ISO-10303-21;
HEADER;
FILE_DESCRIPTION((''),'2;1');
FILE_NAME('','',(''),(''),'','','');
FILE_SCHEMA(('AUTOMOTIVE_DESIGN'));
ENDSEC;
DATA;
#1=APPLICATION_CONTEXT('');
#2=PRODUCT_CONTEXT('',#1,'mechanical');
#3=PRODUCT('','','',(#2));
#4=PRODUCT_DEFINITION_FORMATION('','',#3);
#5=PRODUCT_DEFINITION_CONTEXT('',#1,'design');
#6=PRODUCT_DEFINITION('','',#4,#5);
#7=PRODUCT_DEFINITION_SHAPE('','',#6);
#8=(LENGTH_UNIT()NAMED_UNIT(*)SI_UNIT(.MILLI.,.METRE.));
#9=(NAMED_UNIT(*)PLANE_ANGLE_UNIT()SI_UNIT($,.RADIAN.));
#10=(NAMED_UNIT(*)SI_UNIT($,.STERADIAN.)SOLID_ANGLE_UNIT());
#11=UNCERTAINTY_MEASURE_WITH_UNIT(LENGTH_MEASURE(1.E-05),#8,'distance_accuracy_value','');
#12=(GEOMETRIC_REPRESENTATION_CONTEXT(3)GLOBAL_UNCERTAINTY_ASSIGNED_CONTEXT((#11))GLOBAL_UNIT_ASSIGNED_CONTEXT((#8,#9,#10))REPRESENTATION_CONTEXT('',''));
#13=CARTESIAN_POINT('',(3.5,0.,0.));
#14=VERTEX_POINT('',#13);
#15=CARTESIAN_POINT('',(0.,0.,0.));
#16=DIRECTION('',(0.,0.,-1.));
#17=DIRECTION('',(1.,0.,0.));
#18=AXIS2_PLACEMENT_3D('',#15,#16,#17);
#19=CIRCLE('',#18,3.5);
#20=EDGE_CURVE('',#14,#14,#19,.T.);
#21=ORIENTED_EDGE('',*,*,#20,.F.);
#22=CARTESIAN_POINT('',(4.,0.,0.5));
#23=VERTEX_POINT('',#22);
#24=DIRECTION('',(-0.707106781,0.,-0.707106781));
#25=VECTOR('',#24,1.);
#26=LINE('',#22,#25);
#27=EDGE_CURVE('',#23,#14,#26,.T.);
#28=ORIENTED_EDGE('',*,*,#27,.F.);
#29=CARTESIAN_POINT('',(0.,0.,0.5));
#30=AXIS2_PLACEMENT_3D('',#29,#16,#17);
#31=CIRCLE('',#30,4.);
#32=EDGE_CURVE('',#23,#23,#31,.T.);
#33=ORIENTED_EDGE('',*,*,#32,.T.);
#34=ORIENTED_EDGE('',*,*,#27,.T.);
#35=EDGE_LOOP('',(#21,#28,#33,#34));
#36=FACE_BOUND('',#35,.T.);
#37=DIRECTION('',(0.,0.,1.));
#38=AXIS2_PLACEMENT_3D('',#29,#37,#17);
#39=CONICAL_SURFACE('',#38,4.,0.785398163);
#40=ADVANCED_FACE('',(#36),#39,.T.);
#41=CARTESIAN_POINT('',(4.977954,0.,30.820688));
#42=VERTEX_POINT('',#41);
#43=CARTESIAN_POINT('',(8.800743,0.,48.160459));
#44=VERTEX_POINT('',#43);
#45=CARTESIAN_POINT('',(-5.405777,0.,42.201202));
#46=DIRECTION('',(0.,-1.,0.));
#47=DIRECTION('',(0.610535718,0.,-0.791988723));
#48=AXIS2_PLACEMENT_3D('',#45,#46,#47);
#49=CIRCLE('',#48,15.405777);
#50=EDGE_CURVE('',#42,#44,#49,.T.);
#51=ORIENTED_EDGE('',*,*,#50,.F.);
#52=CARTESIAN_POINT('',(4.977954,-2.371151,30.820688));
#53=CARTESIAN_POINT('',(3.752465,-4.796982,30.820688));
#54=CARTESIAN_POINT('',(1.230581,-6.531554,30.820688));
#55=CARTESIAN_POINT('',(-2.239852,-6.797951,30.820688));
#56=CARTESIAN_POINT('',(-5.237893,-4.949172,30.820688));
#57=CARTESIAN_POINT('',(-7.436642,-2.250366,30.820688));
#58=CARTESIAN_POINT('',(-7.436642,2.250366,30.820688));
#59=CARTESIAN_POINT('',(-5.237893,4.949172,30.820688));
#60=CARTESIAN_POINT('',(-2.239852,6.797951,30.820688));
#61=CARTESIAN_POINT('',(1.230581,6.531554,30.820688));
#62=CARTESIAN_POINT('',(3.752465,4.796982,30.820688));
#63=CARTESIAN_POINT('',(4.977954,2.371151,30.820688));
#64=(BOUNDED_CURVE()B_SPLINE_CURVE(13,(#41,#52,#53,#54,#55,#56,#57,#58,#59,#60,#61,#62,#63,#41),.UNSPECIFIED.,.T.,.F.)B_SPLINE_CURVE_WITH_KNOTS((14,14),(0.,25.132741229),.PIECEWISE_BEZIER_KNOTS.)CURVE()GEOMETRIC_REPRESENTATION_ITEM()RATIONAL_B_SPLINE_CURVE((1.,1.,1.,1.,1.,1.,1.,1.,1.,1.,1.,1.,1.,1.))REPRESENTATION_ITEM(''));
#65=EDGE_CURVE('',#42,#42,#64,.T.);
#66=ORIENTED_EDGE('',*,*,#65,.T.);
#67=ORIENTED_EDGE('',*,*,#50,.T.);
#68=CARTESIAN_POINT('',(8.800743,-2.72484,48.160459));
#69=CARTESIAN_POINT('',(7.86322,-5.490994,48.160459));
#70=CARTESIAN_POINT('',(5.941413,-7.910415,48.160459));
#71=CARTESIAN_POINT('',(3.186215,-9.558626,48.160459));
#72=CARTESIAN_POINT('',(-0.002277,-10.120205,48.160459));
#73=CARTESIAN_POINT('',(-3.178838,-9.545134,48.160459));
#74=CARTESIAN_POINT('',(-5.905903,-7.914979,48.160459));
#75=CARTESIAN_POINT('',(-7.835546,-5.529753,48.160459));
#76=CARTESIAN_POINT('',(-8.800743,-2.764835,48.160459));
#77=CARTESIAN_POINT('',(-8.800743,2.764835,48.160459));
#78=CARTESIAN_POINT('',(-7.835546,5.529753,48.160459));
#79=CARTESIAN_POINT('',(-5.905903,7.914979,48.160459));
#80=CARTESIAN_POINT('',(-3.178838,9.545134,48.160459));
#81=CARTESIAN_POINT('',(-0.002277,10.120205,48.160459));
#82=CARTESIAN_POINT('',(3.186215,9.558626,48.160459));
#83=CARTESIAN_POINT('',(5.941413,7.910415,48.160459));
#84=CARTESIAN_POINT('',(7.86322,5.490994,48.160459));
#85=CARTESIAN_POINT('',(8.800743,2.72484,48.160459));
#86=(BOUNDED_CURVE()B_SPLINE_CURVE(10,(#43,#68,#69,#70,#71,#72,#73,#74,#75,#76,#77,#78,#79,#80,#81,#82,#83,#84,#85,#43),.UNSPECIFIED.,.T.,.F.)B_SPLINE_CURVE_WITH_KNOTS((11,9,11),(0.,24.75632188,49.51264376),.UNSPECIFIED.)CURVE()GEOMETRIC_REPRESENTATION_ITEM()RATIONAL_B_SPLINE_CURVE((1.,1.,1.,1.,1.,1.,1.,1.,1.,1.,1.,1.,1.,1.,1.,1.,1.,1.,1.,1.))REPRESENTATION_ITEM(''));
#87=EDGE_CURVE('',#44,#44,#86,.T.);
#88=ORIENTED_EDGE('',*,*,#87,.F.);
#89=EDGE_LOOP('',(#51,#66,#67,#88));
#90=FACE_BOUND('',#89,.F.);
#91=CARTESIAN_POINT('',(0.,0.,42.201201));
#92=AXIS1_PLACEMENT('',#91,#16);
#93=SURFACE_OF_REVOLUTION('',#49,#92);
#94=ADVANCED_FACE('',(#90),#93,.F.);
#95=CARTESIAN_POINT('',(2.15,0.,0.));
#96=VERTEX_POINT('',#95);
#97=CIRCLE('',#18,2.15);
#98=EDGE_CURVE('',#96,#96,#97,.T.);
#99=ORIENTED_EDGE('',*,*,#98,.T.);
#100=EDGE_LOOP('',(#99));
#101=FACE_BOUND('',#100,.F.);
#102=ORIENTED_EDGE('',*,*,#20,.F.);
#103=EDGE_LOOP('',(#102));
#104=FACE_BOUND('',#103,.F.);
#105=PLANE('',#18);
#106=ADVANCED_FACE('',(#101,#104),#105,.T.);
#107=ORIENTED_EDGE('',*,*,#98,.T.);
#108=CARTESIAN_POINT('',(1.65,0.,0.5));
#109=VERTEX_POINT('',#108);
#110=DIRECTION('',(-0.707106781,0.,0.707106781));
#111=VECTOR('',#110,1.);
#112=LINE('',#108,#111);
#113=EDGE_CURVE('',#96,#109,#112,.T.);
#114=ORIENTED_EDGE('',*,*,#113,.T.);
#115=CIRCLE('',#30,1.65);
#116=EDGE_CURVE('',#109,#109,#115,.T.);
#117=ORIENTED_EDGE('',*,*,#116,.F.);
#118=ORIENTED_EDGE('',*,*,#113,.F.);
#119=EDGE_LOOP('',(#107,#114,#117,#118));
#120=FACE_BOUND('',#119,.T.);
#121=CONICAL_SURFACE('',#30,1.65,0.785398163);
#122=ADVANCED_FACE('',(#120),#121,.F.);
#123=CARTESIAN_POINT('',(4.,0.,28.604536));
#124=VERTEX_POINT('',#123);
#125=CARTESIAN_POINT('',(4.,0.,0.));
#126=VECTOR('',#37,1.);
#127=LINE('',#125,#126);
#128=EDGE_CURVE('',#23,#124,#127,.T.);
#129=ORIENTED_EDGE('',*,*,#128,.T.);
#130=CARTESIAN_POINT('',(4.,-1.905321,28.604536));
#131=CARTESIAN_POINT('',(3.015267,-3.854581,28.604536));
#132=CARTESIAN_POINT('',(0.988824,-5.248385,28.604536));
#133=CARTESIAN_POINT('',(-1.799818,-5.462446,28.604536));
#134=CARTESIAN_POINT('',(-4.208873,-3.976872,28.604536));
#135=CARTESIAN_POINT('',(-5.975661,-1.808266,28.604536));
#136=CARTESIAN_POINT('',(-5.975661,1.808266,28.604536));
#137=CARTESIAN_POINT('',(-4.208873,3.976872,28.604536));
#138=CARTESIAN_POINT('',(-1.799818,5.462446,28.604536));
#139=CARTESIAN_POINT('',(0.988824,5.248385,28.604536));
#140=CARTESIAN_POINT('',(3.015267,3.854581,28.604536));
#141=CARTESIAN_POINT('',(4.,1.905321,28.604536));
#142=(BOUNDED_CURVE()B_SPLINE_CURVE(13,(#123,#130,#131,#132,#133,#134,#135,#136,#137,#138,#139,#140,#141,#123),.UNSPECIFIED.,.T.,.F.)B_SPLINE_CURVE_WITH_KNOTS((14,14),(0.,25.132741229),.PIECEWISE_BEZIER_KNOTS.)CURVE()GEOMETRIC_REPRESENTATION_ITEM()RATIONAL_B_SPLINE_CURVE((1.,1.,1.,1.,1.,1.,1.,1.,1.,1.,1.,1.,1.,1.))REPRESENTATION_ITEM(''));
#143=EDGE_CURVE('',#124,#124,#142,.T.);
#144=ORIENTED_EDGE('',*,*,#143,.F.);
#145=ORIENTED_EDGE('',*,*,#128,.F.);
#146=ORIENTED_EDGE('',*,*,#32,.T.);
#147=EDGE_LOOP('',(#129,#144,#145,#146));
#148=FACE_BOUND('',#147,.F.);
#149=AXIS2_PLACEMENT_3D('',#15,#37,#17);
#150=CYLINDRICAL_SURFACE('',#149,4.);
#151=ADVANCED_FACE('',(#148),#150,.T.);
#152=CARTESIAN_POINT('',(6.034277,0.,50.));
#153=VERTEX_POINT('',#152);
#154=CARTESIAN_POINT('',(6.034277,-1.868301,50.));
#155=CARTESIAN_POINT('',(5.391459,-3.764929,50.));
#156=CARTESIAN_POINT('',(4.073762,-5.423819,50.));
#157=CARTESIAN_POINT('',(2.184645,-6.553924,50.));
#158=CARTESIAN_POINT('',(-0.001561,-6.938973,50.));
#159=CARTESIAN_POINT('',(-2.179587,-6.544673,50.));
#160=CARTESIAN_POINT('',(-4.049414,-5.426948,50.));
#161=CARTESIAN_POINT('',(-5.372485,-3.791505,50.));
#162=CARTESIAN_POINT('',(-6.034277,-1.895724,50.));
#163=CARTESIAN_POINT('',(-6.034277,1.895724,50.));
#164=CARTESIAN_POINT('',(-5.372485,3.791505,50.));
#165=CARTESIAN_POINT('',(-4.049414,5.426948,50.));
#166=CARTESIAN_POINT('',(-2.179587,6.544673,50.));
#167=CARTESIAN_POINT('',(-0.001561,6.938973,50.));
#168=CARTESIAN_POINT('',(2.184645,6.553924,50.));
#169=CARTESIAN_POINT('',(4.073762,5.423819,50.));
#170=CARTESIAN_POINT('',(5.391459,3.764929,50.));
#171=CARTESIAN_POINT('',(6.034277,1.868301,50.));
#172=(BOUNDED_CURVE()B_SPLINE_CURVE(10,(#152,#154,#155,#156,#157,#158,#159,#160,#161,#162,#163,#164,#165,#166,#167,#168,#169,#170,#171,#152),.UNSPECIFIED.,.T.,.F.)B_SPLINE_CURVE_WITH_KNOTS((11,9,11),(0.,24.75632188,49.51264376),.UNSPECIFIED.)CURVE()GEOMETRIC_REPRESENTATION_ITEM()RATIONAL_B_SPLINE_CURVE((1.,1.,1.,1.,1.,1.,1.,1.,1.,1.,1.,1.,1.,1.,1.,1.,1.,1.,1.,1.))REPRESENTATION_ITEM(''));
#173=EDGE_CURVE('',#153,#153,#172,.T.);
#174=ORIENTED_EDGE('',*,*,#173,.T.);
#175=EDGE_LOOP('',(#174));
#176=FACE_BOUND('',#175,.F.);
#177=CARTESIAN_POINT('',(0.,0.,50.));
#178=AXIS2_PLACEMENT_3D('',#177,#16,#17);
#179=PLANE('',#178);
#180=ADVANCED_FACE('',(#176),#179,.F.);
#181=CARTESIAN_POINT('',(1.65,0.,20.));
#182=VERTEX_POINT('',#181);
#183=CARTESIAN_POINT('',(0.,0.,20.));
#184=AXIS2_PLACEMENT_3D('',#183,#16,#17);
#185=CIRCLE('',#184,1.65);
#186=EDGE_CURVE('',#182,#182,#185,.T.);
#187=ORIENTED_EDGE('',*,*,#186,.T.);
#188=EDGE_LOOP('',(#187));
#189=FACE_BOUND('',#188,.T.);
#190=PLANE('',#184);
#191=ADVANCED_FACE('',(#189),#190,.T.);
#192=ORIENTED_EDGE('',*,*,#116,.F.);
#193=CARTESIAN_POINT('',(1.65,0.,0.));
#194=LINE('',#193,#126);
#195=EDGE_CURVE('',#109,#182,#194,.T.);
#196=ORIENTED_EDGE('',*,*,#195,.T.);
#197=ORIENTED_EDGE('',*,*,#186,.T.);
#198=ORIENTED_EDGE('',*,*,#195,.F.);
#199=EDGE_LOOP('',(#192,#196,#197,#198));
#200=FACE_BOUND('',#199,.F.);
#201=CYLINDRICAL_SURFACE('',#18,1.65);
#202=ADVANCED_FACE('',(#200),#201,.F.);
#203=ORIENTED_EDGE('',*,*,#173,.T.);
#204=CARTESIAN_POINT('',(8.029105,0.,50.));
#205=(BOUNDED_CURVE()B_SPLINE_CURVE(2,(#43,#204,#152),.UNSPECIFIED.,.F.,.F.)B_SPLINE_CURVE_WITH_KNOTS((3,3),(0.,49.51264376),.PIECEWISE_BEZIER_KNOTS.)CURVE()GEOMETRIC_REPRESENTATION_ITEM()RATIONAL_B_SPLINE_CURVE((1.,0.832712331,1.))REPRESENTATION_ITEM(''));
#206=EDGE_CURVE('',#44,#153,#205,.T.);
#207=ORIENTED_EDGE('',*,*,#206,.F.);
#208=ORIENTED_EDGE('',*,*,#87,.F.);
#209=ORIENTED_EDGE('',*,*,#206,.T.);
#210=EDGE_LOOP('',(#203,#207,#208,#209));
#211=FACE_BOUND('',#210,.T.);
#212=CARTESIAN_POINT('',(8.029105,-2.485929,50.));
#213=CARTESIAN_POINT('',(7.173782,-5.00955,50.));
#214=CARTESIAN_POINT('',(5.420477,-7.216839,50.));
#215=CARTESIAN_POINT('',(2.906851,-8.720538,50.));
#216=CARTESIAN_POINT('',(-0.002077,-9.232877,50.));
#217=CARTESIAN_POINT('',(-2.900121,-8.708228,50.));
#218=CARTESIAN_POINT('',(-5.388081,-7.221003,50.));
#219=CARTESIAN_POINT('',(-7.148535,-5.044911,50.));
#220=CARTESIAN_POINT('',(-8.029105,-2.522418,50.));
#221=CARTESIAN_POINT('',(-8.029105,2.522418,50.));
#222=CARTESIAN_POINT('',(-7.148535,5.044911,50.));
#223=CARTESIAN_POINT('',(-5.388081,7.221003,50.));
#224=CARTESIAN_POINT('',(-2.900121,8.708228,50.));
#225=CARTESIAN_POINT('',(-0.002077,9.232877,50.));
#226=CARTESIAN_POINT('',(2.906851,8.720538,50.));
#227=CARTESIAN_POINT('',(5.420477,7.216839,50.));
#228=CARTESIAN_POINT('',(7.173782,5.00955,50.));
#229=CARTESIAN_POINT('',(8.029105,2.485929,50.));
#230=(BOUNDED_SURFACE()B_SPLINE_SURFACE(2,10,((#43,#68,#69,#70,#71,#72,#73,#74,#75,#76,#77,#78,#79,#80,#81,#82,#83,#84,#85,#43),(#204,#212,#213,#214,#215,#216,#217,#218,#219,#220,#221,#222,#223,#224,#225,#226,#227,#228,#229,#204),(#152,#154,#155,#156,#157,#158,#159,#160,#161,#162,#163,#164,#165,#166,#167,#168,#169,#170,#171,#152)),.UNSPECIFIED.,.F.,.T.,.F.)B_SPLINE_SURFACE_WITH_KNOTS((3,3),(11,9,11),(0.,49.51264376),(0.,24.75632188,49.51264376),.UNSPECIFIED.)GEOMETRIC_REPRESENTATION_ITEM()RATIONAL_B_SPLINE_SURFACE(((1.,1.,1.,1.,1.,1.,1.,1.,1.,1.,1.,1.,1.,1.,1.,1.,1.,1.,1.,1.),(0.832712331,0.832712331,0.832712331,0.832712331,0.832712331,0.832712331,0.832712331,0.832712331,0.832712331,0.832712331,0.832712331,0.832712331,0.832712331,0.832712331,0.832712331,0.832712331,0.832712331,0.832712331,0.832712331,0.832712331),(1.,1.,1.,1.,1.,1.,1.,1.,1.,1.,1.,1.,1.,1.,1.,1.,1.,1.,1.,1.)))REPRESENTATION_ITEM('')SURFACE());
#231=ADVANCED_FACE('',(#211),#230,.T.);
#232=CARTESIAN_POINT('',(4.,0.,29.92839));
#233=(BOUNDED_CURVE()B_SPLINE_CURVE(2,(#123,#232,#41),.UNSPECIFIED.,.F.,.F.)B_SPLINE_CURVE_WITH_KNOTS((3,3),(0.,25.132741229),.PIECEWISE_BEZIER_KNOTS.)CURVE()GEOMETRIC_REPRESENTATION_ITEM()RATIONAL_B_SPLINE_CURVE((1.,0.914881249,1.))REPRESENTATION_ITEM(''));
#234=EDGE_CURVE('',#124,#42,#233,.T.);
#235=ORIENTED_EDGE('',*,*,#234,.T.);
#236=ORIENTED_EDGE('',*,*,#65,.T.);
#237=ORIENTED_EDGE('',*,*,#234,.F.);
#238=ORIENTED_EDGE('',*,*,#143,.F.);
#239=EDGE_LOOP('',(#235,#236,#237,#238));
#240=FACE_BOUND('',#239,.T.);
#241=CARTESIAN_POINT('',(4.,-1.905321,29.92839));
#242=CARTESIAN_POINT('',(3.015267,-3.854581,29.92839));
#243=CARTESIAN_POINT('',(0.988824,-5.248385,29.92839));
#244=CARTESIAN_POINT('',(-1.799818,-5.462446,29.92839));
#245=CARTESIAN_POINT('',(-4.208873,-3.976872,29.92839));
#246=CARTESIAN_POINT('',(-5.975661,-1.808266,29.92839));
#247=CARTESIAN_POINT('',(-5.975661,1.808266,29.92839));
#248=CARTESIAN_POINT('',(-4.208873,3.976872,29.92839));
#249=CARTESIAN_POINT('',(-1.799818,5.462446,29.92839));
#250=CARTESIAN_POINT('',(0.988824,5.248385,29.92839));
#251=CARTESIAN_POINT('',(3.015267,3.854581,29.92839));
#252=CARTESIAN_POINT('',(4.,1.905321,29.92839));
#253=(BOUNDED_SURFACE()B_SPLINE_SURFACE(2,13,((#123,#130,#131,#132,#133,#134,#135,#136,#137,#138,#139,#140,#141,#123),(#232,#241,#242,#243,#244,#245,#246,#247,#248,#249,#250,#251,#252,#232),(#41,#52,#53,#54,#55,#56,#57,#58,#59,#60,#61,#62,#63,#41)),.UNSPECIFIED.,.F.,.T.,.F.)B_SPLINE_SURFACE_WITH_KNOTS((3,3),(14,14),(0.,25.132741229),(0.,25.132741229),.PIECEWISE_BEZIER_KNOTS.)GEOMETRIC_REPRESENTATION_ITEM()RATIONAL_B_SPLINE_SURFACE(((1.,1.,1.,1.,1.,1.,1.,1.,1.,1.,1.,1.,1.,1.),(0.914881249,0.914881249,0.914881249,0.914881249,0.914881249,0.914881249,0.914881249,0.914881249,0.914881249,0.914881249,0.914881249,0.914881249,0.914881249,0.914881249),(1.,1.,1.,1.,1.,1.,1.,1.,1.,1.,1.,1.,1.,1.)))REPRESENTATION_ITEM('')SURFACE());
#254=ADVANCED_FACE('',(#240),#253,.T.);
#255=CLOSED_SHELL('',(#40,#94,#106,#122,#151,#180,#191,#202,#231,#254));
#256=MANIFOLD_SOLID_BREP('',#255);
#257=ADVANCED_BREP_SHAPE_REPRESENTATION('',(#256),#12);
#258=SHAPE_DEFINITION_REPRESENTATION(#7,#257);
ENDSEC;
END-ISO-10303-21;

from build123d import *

# Parameters (mm, degrees)
F2_R     = 3
F3_R     = 1.65
F4_DEPTH = 20
F5_SIZE  = 0.5


with BuildPart() as f1:
    # F0 (on Front) → F1 (revolve)
    with BuildSketch(Plane.XZ):
        with BuildLine():
            Line((0, 50), (0, 0))
            Line((0, 0), (4, 0))
            Line((4, 0), (4, 30))
            ThreePointArc((4, 30), (9.718003, 39.267051), (7.880182, 50))
            Line((7.880182, 50), (0, 50))
        make_face()
    revolve(axis=Axis((0, 0, 42.201201), (0, 0, -1)))

    # F2
    f2_edges = [f1.edges().sort_by_distance(p)[0] for p in [
        (-7.880182, 0, 50),
        (-4, 0, 30),
    ]]
    fillet(f2_edges, radius=F2_R)

    # F3 (on face) → F4 (cut)
    with BuildSketch(Plane(origin=(0, 0, 0), x_dir=(1, 0, 0), z_dir=(0, 0, -1))):
        Circle(F3_R)
    extrude(amount=-F4_DEPTH, mode=Mode.SUBTRACT)

    # F5
    f5_edges = [f1.edges().sort_by_distance(p)[0] for p in [
        (-1.65, 0, 0),
        (-4, 0, 0),
    ]]
    chamfer(f5_edges, length=F5_SIZE)


solid = f1.part
